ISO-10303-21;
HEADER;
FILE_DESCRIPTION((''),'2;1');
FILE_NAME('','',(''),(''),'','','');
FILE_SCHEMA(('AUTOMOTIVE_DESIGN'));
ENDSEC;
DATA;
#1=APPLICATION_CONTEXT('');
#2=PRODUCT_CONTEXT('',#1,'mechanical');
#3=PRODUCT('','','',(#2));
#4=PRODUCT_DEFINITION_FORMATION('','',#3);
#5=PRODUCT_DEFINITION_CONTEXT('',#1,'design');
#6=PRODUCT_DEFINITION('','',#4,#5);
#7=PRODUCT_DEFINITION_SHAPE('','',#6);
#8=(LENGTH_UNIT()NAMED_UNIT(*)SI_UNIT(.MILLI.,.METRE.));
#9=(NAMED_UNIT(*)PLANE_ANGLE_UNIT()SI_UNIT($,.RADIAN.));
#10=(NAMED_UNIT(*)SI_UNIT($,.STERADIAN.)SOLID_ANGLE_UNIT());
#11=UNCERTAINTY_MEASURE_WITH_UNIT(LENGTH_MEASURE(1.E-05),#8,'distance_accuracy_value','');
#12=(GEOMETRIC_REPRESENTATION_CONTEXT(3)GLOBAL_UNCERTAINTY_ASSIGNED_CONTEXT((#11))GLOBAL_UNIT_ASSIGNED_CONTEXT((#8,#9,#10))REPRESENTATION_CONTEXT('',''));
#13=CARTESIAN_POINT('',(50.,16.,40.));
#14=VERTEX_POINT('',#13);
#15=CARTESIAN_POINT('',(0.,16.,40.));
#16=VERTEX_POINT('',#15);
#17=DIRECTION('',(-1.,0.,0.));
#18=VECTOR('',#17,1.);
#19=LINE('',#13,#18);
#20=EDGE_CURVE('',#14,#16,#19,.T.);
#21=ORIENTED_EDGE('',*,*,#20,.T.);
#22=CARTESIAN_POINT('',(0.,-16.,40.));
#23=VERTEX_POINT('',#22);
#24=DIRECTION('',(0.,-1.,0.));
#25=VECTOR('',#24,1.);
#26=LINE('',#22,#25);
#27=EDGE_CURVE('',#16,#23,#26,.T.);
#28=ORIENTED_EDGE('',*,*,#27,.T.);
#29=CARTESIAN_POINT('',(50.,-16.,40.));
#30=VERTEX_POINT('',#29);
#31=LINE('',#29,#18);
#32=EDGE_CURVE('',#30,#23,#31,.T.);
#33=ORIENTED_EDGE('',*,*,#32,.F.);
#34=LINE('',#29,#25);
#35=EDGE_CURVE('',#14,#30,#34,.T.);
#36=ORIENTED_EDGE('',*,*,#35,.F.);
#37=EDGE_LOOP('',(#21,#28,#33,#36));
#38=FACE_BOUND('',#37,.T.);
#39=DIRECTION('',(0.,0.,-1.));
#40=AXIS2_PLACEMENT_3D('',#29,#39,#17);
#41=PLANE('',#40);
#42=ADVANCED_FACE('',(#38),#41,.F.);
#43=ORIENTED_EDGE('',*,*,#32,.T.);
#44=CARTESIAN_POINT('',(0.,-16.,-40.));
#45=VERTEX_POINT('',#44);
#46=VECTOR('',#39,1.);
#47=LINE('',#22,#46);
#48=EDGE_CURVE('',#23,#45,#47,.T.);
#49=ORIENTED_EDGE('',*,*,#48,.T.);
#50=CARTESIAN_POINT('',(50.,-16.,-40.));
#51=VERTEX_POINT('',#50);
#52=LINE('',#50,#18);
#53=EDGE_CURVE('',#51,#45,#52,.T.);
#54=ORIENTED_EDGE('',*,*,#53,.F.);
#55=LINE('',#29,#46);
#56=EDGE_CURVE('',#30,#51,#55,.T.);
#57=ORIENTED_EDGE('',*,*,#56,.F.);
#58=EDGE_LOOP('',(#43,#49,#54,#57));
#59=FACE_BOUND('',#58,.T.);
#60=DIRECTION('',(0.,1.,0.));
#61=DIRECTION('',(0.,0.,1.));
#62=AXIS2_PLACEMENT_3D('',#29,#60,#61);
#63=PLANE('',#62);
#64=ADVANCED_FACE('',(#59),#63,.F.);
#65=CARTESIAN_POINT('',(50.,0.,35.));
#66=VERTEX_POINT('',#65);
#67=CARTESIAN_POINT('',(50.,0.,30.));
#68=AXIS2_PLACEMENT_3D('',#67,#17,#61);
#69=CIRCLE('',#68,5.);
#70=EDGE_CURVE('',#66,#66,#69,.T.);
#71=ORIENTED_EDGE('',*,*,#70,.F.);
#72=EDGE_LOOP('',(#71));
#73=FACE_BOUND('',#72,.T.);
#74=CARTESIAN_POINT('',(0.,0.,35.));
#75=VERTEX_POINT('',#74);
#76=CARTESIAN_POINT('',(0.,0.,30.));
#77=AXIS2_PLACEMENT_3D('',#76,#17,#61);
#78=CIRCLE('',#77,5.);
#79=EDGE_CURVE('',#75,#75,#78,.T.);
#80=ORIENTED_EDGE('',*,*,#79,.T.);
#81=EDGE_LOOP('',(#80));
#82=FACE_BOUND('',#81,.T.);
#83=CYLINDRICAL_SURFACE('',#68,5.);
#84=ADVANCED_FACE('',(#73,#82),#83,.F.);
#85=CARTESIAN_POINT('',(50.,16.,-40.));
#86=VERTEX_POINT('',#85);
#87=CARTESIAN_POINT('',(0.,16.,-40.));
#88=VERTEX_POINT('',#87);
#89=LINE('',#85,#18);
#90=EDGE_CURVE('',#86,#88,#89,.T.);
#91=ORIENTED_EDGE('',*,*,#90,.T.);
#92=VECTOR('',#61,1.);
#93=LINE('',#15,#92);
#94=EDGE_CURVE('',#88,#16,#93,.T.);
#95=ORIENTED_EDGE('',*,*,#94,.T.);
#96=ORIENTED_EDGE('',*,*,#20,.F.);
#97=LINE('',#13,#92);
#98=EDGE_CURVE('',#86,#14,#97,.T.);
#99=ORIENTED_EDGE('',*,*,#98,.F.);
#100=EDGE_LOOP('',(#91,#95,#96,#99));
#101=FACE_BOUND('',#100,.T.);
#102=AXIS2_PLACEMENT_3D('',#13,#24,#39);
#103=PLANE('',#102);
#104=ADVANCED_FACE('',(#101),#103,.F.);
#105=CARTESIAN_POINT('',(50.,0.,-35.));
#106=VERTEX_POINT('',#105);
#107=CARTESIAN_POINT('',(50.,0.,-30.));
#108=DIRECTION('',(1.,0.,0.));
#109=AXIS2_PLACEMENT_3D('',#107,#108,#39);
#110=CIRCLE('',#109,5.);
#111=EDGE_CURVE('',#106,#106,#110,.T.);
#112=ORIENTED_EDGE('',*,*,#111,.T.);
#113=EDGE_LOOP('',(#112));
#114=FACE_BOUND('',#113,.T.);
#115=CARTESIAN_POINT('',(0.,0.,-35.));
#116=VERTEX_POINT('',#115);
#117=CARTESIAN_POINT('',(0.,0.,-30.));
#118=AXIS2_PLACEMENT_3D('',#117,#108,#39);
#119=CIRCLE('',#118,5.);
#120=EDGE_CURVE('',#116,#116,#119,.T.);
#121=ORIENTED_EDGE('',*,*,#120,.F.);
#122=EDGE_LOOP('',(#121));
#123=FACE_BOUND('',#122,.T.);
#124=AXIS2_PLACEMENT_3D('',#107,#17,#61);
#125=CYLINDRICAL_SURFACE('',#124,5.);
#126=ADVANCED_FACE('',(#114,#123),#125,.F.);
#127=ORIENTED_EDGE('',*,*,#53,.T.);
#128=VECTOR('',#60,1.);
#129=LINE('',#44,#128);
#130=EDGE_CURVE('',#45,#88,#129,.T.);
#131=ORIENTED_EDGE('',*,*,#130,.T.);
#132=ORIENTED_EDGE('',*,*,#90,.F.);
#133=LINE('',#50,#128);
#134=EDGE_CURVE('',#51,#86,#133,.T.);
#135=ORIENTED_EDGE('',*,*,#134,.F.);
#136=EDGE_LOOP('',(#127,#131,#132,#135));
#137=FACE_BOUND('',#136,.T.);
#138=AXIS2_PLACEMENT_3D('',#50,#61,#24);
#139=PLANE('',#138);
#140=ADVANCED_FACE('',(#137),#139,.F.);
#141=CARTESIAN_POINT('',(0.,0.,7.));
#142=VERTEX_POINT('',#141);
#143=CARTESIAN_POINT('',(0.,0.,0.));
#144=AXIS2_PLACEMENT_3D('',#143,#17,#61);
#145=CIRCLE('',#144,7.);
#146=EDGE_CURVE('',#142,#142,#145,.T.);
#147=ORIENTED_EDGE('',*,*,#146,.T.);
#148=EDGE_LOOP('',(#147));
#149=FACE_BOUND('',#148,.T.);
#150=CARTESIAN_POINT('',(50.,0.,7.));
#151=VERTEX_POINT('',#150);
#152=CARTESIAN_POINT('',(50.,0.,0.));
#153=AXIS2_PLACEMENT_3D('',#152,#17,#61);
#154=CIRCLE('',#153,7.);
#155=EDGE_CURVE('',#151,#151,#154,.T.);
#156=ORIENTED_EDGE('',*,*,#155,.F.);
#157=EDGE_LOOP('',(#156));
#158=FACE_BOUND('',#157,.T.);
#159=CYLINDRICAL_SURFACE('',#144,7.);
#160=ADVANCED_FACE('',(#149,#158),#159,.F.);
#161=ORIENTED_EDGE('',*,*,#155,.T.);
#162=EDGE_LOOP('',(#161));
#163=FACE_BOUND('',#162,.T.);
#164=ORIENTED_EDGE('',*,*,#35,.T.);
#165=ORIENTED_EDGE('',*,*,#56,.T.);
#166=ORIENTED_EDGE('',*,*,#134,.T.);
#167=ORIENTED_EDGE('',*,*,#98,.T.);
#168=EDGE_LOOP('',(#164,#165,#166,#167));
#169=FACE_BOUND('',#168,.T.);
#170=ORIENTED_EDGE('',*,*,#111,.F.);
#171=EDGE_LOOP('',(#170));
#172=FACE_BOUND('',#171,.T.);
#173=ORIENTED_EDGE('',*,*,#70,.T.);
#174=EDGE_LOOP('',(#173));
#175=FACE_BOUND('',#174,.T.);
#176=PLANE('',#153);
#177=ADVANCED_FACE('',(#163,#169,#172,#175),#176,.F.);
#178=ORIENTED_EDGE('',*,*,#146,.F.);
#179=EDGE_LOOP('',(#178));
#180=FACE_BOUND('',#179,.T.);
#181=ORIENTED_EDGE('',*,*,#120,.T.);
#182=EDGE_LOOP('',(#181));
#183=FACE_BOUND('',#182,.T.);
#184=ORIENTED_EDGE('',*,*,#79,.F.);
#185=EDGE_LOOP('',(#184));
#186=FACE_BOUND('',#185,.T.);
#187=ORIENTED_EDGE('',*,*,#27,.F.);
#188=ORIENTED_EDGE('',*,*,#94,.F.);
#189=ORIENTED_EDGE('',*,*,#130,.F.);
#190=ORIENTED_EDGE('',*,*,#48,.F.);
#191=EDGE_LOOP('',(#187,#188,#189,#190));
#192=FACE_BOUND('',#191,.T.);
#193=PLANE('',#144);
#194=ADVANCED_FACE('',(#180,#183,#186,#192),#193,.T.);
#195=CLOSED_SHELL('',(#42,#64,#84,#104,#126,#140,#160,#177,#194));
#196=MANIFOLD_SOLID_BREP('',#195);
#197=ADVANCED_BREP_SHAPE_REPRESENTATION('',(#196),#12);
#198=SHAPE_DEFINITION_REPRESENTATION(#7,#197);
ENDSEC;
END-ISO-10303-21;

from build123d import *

# Parameters (mm, degrees)
SKETCH_1_W          = 80
SKETCH_1_H          = 32
EXTRUDE_1_DEPTH     = 50
HOLE_WIZARD_M16_1_D = 14
SKETCH_5_R          = 5
CUT_EXTRUDE_1_DEPTH = 67


with BuildPart() as part:
    # 草图1 → 凸台-拉伸1 (new body)
    with BuildSketch(Plane(origin=(0, 0, 0), x_dir=(0, 0, -1), z_dir=(1, 0, 0))):
        Rectangle(SKETCH_1_W, SKETCH_1_H)
    extrude(amount=EXTRUDE_1_DEPTH)

    # M16 螺纹孔1 (through all)
    with Locations(Plane.ZY):
        with Locations((0, 0)):
            Hole(HOLE_WIZARD_M16_1_D / 2)

    # 草图5 → 切除-拉伸1 (cut, through all)
    with BuildSketch(Plane.ZY):
        with Locations((30, 0)):
            Circle(SKETCH_5_R)
    cut_extrude_1 = extrude(amount=-CUT_EXTRUDE_1_DEPTH, mode=Mode.SUBTRACT)

    # 镜向1: 切除-拉伸1 across plane
    add(cut_extrude_1.mirror(Plane.XY), mode=Mode.SUBTRACT)


solid = part.part
